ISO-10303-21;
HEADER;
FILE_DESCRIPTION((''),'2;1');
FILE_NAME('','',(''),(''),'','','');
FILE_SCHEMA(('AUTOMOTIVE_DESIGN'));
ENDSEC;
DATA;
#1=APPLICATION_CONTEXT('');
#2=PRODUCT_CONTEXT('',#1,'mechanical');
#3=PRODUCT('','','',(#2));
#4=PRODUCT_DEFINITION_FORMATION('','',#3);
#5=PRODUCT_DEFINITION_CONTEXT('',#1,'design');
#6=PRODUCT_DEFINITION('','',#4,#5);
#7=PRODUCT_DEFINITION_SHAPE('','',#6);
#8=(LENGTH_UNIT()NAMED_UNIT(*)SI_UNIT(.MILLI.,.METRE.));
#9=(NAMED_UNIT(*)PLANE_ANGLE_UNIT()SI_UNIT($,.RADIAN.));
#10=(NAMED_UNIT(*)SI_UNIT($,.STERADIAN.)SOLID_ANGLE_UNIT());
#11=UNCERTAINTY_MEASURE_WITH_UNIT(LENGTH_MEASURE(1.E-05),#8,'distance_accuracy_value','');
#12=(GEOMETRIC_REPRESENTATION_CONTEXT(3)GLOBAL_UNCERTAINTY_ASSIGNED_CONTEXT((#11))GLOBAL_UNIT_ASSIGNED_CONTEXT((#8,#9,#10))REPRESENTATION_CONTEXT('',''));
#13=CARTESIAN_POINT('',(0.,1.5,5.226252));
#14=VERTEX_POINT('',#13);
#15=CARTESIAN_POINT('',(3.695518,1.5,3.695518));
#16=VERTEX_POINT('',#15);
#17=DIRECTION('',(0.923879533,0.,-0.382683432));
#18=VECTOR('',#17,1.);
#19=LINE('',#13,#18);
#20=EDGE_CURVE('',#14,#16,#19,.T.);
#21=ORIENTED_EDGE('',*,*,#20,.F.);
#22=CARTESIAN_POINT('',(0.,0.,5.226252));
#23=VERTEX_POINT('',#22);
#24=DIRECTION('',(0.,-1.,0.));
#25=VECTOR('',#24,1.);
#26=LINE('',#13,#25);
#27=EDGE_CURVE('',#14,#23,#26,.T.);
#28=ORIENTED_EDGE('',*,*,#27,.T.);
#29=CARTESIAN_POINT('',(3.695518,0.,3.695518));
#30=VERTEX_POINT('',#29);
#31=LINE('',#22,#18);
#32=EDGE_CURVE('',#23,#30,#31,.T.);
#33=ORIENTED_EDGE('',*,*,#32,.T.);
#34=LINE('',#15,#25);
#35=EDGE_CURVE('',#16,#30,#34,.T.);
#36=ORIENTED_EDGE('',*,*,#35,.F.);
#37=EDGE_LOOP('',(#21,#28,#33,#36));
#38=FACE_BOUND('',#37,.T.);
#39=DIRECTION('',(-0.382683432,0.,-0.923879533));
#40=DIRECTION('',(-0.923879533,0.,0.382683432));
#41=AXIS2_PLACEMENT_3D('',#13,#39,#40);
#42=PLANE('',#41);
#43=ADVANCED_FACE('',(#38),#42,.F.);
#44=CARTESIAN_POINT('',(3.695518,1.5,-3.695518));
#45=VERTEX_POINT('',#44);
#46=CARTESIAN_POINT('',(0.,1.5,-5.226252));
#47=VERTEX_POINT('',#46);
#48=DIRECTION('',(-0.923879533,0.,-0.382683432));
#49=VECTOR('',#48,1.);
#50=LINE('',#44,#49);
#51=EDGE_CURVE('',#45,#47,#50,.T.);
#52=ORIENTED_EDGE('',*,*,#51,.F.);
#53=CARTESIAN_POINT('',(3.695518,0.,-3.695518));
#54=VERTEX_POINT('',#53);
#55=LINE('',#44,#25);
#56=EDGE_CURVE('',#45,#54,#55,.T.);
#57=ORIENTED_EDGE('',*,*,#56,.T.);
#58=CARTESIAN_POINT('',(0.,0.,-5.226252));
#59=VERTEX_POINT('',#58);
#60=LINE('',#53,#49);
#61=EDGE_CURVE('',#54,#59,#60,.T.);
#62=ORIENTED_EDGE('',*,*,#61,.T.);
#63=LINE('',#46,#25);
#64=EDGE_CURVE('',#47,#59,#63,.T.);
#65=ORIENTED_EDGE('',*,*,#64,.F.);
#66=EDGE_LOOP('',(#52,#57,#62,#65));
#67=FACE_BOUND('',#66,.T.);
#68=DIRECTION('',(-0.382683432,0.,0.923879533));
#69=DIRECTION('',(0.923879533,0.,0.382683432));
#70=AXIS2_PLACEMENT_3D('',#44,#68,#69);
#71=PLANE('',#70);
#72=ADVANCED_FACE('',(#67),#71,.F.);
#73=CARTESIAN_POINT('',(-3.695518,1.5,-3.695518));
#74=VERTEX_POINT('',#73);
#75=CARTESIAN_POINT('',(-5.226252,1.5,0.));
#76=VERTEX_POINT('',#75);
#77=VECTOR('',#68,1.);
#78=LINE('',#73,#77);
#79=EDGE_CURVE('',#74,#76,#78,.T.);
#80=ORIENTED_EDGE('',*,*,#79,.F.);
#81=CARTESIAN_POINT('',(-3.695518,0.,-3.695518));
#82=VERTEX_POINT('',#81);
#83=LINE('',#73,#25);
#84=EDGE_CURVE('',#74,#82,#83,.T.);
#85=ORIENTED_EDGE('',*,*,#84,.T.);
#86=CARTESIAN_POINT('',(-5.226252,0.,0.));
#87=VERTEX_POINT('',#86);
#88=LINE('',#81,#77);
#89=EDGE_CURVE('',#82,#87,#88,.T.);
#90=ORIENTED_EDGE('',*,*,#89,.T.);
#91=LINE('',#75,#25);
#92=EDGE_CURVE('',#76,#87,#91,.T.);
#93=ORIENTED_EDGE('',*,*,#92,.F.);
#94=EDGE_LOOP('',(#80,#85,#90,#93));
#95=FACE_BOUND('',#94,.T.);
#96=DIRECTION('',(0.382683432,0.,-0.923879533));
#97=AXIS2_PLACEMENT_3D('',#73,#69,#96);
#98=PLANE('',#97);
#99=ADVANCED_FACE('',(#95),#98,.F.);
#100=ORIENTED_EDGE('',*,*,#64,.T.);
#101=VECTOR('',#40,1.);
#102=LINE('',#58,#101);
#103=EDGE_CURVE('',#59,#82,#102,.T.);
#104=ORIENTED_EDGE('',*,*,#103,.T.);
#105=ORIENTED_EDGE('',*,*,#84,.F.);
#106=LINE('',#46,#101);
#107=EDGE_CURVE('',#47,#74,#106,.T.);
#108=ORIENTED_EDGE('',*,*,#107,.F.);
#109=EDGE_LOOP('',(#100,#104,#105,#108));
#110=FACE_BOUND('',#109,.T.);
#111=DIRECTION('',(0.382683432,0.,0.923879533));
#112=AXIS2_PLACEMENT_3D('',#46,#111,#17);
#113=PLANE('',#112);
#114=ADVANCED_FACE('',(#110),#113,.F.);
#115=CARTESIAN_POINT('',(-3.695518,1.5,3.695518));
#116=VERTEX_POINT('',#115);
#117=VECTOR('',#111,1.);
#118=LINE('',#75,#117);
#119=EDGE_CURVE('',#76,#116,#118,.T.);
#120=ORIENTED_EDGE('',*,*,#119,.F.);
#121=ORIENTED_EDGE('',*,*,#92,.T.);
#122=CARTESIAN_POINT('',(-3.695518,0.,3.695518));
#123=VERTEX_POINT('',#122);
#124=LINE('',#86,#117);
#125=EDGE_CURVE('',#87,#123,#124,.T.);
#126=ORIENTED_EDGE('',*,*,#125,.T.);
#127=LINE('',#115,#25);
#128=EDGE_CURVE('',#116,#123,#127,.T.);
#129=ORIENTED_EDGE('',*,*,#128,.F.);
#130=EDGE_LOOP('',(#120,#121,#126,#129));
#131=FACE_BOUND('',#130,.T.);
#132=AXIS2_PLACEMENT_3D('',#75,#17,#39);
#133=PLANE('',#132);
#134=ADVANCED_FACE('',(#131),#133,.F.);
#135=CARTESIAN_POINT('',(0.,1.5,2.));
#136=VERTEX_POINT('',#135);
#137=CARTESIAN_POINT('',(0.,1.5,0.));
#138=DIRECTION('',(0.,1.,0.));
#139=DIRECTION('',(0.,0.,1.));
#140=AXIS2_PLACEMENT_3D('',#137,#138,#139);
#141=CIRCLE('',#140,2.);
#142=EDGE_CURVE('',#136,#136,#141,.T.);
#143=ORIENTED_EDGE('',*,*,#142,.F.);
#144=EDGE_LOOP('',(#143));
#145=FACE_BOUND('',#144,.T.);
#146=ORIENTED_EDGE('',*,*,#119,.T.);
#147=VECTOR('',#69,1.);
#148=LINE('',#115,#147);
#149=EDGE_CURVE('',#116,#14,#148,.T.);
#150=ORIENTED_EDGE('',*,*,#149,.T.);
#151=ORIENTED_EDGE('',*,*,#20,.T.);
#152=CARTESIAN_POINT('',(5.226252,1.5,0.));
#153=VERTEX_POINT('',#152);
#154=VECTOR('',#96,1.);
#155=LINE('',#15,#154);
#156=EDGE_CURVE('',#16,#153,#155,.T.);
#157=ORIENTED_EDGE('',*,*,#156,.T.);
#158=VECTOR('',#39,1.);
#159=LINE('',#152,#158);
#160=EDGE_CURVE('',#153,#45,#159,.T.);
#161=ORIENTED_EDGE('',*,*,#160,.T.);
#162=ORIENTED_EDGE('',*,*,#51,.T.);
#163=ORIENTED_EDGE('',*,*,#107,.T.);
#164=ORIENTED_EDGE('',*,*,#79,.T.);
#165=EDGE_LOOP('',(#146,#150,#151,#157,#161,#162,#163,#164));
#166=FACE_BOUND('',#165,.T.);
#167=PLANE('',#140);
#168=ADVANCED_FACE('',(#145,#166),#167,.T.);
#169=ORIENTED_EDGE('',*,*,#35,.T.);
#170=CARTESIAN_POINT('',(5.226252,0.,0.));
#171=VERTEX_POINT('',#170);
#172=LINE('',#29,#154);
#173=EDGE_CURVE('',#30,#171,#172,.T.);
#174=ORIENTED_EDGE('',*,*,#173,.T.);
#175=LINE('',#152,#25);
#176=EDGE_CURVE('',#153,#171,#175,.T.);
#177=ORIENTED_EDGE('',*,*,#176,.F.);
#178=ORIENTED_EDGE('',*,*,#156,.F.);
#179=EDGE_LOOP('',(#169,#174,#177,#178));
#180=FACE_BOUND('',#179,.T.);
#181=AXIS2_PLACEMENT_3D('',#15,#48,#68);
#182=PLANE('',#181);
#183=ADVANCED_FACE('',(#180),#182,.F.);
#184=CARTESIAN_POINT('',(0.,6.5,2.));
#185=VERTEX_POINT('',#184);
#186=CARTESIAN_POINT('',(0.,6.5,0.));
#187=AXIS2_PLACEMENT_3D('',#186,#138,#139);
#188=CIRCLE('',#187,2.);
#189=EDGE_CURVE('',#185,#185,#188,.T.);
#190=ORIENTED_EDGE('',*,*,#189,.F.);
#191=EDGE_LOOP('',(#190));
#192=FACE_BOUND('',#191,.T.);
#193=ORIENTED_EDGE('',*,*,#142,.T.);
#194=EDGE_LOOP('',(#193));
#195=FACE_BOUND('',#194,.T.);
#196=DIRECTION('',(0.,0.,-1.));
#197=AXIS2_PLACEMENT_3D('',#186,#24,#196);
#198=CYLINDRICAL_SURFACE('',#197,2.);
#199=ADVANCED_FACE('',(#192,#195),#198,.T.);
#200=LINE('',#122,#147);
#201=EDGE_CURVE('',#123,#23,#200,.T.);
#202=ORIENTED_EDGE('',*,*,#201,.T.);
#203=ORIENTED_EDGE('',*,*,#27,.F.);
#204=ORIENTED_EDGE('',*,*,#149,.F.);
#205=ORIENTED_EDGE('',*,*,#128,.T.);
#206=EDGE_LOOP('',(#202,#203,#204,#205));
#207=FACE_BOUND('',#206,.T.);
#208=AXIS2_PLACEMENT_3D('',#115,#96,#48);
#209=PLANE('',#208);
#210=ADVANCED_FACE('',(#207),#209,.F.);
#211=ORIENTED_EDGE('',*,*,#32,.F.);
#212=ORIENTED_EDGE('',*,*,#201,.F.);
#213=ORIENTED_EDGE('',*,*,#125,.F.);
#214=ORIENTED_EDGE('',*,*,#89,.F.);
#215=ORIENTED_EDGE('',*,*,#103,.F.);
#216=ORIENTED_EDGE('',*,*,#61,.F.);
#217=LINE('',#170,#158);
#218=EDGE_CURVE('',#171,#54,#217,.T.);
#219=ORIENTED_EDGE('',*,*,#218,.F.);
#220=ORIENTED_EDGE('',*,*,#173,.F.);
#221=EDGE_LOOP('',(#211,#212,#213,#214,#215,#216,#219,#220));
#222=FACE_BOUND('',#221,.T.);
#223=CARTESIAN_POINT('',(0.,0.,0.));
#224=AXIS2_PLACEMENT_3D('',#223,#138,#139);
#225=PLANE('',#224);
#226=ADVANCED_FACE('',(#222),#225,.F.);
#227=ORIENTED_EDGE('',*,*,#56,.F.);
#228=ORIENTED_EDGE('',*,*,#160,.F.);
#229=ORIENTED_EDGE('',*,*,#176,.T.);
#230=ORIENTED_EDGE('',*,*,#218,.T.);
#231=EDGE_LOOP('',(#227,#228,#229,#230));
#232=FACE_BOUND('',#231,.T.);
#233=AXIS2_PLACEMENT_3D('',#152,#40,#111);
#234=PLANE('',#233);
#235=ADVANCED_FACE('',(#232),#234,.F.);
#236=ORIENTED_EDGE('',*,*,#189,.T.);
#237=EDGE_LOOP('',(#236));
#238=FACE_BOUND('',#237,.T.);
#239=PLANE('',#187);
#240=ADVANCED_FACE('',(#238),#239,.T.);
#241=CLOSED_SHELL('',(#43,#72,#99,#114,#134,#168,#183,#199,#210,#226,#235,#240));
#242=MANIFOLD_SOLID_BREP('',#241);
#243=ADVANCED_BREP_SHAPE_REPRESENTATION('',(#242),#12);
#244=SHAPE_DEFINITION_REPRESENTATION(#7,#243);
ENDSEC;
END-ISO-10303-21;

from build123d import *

# Parameters (mm, degrees)
EXTRUDE_1_DEPTH = 1.5
SKETCH_2_R      = 2
EXTRUDE_2_DEPTH = 5


with BuildPart() as part:
    # 草图1 → 凸台-拉伸1 (new body)
    with BuildSketch(Plane(origin=(0, 0, 0), x_dir=(1, 0, 0), z_dir=(0, 1, 0))):
        Polygon((5.22625186, 0), (3.69551813, 3.69551813), (0, 5.22625186), (-3.69551813, 3.69551813), (-5.22625186, 0), (-3.69551813, -3.69551813), (0, -5.22625186), (3.69551813, -3.69551813), align=None)
    extrude(amount=EXTRUDE_1_DEPTH)

    # 草图2 → 凸台-拉伸2 (add)
    with BuildSketch(Plane(origin=(0, 1.5, 0), x_dir=(1, 0, 0), z_dir=(0, 1, 0))):
        with Locations(Location((0, 0, 0), (0, 0, 270))):
            Circle(SKETCH_2_R)
    extrude(amount=EXTRUDE_2_DEPTH)


solid = part.part
